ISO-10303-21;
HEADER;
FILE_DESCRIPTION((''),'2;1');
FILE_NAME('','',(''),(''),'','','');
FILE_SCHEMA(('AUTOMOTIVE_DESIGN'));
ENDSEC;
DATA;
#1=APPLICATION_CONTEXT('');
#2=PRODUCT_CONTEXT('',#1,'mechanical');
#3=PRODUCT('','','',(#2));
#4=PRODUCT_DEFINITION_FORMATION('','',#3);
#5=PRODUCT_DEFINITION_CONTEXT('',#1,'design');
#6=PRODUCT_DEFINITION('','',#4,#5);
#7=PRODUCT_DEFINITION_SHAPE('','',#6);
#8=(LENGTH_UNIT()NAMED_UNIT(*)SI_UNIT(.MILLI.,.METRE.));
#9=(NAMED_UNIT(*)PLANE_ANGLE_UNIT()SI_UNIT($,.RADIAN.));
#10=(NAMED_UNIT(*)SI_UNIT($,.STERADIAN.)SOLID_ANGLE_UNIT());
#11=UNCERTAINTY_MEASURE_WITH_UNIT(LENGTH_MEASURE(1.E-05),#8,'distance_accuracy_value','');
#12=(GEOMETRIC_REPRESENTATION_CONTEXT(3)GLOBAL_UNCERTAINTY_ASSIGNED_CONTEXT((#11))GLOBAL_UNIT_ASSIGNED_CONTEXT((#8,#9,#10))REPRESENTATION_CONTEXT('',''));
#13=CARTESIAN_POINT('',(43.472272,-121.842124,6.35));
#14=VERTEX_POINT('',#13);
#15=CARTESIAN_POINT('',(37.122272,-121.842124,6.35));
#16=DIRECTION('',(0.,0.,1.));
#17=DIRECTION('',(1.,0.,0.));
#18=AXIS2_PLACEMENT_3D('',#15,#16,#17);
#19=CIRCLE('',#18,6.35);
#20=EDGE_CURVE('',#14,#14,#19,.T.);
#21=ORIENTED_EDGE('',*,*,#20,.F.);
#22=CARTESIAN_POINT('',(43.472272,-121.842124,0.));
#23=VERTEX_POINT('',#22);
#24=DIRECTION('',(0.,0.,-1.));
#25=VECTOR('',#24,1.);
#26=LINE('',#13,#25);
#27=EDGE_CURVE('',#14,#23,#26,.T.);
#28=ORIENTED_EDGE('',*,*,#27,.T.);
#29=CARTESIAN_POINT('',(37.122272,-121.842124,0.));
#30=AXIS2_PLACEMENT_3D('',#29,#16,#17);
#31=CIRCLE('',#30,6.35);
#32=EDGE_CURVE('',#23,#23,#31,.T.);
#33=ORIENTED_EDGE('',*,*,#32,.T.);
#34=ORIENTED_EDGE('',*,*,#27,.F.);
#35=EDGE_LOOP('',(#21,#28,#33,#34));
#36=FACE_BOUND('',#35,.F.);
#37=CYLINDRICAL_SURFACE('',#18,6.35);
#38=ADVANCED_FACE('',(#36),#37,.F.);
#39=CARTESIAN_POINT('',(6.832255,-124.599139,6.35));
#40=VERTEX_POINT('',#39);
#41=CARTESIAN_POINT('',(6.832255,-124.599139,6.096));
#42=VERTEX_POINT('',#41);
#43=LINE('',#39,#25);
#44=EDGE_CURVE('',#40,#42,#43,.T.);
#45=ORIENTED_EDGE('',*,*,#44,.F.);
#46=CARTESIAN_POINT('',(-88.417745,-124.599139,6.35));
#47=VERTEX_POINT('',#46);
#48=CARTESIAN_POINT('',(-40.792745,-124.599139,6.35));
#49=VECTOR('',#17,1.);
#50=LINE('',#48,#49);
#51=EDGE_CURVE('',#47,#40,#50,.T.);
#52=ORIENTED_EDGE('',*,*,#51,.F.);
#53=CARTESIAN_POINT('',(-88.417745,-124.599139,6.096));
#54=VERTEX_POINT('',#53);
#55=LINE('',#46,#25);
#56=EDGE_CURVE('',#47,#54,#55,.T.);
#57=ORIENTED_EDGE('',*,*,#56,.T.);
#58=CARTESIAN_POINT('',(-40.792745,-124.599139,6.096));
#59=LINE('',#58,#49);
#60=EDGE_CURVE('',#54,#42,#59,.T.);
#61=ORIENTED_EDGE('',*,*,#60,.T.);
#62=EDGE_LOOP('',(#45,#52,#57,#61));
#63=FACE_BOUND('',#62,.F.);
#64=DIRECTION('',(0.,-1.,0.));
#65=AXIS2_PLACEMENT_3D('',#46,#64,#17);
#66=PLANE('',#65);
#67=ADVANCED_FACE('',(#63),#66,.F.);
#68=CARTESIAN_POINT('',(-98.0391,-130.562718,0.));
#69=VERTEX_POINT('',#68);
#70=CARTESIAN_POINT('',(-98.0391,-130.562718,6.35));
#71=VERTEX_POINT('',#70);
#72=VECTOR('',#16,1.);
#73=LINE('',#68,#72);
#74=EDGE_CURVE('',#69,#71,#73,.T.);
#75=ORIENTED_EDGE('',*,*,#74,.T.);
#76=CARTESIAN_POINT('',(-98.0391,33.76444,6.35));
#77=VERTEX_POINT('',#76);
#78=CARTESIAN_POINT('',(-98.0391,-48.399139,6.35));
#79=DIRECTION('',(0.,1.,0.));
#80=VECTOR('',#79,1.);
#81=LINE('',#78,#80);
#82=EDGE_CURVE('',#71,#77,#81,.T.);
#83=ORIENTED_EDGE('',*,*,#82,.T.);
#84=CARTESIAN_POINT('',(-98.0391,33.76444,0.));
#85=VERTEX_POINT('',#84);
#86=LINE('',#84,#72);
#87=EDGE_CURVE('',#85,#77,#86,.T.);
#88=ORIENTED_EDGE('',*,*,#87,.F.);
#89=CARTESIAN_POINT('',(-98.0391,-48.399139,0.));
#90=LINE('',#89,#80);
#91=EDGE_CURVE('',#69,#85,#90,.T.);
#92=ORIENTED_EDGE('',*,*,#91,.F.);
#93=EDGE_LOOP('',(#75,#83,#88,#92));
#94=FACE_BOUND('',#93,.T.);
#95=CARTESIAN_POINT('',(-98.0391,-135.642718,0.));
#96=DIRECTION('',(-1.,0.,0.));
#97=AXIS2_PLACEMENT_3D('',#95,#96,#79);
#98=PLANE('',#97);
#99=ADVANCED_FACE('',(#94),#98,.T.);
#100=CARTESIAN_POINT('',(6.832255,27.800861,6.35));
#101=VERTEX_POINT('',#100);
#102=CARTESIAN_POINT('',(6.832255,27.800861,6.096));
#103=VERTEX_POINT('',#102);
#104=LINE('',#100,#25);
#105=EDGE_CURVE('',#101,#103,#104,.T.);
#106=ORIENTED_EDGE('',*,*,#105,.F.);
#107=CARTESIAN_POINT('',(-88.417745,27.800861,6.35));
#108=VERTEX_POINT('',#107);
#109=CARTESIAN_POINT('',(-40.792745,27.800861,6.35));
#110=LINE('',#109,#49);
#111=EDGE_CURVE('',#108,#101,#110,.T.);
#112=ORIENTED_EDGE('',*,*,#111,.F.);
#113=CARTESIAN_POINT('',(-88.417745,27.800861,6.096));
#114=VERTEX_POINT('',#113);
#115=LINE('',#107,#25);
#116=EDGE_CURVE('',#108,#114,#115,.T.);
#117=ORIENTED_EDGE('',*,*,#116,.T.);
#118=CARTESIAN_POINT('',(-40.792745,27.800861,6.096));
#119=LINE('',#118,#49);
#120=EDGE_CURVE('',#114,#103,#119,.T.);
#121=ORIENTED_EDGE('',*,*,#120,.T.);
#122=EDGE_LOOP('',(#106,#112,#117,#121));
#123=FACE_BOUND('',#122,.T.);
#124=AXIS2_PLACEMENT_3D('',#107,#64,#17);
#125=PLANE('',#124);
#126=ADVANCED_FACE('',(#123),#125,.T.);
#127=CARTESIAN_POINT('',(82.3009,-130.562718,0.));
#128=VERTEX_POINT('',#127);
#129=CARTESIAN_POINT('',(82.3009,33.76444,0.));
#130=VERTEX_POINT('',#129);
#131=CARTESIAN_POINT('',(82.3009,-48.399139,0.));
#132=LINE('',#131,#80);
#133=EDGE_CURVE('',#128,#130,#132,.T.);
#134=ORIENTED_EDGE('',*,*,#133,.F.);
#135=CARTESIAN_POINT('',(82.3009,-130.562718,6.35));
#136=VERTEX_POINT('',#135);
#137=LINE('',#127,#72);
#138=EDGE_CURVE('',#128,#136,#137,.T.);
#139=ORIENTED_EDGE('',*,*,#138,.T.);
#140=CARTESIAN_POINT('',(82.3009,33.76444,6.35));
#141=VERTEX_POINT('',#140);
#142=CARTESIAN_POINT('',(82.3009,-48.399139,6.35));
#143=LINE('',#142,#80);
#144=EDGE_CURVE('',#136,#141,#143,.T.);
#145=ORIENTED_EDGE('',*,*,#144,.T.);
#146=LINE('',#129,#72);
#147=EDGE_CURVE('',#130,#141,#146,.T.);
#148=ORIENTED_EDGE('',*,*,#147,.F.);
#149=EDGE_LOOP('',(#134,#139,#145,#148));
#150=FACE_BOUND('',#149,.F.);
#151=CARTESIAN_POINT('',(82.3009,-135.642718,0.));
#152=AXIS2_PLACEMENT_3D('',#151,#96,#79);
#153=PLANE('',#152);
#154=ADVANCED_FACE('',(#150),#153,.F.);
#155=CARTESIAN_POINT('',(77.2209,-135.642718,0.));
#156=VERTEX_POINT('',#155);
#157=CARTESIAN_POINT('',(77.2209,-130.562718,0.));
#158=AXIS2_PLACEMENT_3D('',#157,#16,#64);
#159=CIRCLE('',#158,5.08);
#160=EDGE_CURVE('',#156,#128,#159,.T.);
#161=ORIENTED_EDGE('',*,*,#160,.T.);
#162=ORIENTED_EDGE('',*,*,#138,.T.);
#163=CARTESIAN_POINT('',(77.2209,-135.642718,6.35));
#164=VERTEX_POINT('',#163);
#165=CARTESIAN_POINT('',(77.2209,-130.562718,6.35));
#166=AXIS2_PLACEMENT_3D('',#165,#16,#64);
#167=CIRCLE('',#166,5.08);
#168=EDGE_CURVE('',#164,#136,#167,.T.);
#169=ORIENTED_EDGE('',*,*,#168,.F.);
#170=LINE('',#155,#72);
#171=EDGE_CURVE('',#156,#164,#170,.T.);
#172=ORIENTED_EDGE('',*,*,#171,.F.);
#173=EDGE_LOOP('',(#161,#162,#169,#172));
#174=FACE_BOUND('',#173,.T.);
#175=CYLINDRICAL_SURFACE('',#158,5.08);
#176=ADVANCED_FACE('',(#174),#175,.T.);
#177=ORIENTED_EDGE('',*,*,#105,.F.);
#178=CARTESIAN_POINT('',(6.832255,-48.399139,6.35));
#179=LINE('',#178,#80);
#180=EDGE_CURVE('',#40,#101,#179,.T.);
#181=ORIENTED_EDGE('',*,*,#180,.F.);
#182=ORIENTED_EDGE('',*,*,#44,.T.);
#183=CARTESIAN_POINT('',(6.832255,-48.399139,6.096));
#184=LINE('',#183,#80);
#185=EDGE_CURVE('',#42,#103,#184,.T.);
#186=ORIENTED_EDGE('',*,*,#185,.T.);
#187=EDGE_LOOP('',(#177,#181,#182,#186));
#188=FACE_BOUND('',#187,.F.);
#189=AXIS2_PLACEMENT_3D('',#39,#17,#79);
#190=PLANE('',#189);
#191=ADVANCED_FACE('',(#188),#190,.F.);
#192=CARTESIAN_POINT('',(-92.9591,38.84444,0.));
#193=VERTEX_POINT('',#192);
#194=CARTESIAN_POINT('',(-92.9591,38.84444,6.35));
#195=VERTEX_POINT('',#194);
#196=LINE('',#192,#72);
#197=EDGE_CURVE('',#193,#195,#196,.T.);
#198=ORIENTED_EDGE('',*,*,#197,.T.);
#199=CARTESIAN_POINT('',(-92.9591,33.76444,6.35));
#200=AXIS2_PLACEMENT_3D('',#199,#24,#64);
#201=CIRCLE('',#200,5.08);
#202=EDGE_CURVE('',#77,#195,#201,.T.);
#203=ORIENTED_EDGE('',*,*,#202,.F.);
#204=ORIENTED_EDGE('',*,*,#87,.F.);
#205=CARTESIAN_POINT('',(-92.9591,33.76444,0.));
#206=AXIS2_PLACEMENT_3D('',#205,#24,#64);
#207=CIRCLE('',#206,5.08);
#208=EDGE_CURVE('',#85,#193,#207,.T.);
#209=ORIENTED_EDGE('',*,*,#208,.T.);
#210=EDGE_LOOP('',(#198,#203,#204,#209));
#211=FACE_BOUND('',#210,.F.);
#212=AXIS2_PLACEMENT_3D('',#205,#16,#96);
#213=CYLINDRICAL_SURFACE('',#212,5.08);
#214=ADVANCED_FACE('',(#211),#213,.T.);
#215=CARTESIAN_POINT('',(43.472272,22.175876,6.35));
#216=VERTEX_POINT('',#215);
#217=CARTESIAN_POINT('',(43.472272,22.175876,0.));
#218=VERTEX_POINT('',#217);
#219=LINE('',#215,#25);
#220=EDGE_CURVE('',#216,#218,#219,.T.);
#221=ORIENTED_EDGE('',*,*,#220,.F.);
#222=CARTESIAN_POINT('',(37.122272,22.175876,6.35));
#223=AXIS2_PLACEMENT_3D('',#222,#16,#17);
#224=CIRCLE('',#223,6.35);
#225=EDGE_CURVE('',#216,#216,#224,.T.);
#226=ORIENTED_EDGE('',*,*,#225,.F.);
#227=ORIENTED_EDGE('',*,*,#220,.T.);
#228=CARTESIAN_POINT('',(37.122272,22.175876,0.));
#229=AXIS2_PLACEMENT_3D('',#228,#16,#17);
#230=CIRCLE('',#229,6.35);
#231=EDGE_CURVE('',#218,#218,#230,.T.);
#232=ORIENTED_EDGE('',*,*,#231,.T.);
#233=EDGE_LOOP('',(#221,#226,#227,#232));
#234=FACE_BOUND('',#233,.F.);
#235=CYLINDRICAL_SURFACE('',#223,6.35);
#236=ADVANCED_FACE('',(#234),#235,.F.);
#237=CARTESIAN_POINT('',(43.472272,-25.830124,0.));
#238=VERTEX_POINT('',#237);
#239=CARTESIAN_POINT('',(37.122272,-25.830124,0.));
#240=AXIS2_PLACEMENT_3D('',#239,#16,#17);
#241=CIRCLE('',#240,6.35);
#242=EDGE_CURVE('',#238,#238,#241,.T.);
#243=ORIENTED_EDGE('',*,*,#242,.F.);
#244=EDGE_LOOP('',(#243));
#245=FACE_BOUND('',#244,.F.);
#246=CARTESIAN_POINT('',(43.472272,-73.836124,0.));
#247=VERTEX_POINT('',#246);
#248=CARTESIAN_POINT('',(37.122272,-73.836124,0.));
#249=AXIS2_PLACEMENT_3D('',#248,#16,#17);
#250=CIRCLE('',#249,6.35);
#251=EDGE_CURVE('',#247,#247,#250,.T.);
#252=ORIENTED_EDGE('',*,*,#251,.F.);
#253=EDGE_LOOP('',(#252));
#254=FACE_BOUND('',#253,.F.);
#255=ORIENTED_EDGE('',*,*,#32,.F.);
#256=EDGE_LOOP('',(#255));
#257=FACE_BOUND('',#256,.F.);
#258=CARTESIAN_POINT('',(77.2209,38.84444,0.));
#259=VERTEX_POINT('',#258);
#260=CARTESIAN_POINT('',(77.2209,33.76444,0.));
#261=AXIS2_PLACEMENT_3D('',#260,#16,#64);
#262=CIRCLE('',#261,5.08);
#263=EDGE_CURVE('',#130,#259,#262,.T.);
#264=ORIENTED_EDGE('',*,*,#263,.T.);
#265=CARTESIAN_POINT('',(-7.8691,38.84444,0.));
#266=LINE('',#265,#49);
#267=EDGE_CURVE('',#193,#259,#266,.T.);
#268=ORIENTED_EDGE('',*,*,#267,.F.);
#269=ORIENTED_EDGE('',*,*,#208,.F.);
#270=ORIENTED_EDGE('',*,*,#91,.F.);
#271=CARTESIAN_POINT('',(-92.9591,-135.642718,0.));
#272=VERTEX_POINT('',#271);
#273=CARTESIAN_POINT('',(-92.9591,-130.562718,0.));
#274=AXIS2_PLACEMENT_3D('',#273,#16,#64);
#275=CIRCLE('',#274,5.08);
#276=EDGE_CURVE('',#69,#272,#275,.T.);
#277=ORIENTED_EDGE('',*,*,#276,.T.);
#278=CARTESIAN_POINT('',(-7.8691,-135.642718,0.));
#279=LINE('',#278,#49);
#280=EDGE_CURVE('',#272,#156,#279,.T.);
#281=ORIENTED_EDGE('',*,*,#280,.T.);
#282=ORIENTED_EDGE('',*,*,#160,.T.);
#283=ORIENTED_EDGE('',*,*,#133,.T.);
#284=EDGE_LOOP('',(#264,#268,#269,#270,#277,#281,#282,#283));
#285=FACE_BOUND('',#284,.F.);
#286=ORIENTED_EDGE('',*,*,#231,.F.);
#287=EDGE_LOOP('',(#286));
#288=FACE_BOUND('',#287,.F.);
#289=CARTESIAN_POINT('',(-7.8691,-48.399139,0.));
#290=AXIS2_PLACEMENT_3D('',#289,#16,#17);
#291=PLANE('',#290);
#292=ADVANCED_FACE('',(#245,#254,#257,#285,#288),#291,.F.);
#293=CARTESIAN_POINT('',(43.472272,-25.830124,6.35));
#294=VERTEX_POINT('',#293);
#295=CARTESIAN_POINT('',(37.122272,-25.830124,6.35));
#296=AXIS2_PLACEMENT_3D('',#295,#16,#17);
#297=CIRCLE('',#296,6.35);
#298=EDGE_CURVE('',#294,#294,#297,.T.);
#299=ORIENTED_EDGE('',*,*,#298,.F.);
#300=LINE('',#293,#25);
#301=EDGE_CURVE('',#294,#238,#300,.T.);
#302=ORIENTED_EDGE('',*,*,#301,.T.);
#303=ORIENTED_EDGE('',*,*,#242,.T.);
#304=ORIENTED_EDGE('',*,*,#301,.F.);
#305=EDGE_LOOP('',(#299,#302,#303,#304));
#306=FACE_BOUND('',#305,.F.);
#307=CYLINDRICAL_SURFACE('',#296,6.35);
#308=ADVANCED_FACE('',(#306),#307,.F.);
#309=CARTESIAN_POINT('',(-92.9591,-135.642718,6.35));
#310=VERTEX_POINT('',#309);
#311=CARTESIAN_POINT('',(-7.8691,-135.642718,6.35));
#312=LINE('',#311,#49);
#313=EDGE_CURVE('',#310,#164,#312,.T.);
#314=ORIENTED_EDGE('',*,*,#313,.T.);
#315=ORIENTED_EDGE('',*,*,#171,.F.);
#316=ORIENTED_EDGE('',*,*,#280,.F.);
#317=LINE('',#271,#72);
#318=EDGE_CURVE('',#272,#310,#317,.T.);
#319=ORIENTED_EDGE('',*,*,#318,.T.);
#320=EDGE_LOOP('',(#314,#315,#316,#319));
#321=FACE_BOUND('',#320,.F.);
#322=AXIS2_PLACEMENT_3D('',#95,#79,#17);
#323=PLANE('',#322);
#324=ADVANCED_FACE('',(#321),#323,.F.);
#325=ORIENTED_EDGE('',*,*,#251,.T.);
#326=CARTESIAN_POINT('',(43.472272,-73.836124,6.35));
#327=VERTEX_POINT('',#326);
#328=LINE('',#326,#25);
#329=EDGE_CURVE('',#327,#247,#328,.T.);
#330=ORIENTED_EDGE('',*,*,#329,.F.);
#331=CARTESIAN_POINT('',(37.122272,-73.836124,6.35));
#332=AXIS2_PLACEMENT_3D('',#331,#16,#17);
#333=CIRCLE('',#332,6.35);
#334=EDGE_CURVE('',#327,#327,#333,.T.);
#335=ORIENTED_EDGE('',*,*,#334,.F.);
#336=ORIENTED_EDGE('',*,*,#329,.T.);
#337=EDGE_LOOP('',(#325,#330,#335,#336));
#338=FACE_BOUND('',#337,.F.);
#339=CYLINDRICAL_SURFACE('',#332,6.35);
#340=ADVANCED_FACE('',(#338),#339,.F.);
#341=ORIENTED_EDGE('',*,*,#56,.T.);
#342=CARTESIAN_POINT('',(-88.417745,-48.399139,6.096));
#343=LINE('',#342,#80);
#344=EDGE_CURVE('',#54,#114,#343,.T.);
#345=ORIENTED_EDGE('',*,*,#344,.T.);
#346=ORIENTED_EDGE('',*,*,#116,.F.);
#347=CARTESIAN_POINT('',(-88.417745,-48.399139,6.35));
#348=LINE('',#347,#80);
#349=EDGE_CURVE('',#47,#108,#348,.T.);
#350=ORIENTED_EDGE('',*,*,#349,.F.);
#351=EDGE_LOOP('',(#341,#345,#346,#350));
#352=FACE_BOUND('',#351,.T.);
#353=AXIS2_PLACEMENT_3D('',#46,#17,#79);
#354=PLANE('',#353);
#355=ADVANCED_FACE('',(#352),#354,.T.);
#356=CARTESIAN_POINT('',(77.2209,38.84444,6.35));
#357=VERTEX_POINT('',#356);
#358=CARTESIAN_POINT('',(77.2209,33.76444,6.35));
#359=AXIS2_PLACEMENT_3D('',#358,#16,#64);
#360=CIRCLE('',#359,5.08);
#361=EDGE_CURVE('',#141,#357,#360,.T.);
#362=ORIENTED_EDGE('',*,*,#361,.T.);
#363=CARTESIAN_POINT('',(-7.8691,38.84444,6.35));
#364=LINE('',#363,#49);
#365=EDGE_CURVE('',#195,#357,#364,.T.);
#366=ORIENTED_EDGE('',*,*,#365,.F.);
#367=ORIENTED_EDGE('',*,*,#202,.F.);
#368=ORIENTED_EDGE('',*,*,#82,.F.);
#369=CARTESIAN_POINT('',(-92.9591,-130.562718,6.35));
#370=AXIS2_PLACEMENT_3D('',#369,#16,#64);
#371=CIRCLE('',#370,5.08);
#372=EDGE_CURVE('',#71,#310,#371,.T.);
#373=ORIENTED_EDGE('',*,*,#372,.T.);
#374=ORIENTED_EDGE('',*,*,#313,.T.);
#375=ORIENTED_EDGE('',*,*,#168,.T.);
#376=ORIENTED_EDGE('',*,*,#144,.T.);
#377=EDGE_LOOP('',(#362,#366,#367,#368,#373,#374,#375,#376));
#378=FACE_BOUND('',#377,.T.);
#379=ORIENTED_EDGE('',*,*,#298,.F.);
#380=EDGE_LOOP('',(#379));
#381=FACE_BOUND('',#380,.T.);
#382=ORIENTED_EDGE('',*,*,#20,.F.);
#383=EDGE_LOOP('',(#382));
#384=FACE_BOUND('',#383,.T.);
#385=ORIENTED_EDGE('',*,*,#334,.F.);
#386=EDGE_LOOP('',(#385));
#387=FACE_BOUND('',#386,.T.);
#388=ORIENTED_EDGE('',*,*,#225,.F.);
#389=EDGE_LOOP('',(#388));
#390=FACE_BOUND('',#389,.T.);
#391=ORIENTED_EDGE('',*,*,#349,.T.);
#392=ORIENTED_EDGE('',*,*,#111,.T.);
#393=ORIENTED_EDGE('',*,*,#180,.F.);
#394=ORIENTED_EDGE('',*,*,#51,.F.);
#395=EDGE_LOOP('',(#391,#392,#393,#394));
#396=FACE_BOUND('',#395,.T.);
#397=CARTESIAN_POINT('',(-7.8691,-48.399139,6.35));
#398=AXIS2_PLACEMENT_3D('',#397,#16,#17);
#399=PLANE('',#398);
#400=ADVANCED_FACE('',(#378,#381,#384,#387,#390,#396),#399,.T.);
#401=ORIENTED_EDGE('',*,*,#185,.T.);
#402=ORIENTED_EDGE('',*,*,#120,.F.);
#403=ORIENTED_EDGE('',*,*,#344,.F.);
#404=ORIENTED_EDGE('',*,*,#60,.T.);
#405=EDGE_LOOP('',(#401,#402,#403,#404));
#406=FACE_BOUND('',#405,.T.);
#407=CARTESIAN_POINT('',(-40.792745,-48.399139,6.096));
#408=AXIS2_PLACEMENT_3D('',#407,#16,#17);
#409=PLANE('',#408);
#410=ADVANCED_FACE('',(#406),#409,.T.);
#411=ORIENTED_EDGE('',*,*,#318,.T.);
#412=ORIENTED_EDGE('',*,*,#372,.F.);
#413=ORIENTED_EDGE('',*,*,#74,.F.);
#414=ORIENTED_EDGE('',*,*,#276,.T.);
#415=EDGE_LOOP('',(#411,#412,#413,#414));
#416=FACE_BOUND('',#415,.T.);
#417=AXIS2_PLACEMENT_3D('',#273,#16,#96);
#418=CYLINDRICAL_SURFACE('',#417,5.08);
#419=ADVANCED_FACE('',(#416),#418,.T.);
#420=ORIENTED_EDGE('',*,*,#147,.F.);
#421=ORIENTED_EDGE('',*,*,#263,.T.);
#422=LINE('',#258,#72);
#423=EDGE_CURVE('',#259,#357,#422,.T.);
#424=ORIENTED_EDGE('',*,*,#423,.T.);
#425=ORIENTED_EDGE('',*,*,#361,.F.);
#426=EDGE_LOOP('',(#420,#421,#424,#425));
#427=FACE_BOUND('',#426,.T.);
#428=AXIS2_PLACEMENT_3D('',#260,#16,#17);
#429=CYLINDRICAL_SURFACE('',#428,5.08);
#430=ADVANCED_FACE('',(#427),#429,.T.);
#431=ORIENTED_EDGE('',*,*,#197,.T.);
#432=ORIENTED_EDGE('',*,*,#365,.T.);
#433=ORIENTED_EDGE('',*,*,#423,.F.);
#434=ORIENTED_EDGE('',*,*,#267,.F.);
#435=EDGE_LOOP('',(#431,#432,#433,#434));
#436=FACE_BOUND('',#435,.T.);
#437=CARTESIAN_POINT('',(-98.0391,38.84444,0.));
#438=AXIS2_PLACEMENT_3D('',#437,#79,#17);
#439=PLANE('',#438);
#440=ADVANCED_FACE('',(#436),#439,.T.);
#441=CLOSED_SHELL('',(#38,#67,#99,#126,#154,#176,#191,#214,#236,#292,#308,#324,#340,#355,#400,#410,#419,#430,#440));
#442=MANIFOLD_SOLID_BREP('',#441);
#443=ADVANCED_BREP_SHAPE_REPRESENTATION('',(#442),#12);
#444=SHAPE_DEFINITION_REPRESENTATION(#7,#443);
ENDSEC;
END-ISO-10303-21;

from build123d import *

# Parameters (mm, degrees)
F0_W     = 180.34
F0_H     = 174.487158
F1_DEPTH = 6.35
F2_R     = 5.08
F3_W     = 95.25
F3_H     = 152.4
F4_DEPTH = 0.254
F3_R     = 6.35
F5_DEPTH = 25.4


with BuildPart() as f1:
    # F0 (on Top) → F1 (new body)
    with BuildSketch(Plane.XY):
        with Locations((-7.8691, -48.399139)):
            Rectangle(F0_W, F0_H)
    extrude(amount=F1_DEPTH)

    # F2
    f2_edges = [f1.edges().sort_by_distance(p)[0] for p in [
        (-98.0391, -135.642718, 3.175),
        (82.3009, -135.642718, 3.175),
        (-98.0391, 38.84444, 3.175),
        (82.3009, 38.84444, 3.175),
    ]]
    fillet(f2_edges, radius=F2_R)

    # F3 (on face) → F4 (cut)
    with BuildSketch(Plane.XY.offset(6.35)):
        with Locations((-40.792745, -48.399139)):
            Rectangle(F3_W, F3_H)
    extrude(amount=-F4_DEPTH, mode=Mode.SUBTRACT)

    # F3 (on face) → F5 (cut)
    with BuildSketch(Plane.XY.offset(6.35)):
        with Locations((37.122272, -121.842124)):
            Circle(F3_R)
        with Locations((37.122272, -73.836124)):
            Circle(F3_R)
        with Locations((37.122272, 22.175876)):
            Circle(F3_R)
        with Locations((37.122272, -25.830124)):
            Circle(F3_R)
    extrude(amount=-F5_DEPTH, mode=Mode.SUBTRACT)


solid = f1.part
